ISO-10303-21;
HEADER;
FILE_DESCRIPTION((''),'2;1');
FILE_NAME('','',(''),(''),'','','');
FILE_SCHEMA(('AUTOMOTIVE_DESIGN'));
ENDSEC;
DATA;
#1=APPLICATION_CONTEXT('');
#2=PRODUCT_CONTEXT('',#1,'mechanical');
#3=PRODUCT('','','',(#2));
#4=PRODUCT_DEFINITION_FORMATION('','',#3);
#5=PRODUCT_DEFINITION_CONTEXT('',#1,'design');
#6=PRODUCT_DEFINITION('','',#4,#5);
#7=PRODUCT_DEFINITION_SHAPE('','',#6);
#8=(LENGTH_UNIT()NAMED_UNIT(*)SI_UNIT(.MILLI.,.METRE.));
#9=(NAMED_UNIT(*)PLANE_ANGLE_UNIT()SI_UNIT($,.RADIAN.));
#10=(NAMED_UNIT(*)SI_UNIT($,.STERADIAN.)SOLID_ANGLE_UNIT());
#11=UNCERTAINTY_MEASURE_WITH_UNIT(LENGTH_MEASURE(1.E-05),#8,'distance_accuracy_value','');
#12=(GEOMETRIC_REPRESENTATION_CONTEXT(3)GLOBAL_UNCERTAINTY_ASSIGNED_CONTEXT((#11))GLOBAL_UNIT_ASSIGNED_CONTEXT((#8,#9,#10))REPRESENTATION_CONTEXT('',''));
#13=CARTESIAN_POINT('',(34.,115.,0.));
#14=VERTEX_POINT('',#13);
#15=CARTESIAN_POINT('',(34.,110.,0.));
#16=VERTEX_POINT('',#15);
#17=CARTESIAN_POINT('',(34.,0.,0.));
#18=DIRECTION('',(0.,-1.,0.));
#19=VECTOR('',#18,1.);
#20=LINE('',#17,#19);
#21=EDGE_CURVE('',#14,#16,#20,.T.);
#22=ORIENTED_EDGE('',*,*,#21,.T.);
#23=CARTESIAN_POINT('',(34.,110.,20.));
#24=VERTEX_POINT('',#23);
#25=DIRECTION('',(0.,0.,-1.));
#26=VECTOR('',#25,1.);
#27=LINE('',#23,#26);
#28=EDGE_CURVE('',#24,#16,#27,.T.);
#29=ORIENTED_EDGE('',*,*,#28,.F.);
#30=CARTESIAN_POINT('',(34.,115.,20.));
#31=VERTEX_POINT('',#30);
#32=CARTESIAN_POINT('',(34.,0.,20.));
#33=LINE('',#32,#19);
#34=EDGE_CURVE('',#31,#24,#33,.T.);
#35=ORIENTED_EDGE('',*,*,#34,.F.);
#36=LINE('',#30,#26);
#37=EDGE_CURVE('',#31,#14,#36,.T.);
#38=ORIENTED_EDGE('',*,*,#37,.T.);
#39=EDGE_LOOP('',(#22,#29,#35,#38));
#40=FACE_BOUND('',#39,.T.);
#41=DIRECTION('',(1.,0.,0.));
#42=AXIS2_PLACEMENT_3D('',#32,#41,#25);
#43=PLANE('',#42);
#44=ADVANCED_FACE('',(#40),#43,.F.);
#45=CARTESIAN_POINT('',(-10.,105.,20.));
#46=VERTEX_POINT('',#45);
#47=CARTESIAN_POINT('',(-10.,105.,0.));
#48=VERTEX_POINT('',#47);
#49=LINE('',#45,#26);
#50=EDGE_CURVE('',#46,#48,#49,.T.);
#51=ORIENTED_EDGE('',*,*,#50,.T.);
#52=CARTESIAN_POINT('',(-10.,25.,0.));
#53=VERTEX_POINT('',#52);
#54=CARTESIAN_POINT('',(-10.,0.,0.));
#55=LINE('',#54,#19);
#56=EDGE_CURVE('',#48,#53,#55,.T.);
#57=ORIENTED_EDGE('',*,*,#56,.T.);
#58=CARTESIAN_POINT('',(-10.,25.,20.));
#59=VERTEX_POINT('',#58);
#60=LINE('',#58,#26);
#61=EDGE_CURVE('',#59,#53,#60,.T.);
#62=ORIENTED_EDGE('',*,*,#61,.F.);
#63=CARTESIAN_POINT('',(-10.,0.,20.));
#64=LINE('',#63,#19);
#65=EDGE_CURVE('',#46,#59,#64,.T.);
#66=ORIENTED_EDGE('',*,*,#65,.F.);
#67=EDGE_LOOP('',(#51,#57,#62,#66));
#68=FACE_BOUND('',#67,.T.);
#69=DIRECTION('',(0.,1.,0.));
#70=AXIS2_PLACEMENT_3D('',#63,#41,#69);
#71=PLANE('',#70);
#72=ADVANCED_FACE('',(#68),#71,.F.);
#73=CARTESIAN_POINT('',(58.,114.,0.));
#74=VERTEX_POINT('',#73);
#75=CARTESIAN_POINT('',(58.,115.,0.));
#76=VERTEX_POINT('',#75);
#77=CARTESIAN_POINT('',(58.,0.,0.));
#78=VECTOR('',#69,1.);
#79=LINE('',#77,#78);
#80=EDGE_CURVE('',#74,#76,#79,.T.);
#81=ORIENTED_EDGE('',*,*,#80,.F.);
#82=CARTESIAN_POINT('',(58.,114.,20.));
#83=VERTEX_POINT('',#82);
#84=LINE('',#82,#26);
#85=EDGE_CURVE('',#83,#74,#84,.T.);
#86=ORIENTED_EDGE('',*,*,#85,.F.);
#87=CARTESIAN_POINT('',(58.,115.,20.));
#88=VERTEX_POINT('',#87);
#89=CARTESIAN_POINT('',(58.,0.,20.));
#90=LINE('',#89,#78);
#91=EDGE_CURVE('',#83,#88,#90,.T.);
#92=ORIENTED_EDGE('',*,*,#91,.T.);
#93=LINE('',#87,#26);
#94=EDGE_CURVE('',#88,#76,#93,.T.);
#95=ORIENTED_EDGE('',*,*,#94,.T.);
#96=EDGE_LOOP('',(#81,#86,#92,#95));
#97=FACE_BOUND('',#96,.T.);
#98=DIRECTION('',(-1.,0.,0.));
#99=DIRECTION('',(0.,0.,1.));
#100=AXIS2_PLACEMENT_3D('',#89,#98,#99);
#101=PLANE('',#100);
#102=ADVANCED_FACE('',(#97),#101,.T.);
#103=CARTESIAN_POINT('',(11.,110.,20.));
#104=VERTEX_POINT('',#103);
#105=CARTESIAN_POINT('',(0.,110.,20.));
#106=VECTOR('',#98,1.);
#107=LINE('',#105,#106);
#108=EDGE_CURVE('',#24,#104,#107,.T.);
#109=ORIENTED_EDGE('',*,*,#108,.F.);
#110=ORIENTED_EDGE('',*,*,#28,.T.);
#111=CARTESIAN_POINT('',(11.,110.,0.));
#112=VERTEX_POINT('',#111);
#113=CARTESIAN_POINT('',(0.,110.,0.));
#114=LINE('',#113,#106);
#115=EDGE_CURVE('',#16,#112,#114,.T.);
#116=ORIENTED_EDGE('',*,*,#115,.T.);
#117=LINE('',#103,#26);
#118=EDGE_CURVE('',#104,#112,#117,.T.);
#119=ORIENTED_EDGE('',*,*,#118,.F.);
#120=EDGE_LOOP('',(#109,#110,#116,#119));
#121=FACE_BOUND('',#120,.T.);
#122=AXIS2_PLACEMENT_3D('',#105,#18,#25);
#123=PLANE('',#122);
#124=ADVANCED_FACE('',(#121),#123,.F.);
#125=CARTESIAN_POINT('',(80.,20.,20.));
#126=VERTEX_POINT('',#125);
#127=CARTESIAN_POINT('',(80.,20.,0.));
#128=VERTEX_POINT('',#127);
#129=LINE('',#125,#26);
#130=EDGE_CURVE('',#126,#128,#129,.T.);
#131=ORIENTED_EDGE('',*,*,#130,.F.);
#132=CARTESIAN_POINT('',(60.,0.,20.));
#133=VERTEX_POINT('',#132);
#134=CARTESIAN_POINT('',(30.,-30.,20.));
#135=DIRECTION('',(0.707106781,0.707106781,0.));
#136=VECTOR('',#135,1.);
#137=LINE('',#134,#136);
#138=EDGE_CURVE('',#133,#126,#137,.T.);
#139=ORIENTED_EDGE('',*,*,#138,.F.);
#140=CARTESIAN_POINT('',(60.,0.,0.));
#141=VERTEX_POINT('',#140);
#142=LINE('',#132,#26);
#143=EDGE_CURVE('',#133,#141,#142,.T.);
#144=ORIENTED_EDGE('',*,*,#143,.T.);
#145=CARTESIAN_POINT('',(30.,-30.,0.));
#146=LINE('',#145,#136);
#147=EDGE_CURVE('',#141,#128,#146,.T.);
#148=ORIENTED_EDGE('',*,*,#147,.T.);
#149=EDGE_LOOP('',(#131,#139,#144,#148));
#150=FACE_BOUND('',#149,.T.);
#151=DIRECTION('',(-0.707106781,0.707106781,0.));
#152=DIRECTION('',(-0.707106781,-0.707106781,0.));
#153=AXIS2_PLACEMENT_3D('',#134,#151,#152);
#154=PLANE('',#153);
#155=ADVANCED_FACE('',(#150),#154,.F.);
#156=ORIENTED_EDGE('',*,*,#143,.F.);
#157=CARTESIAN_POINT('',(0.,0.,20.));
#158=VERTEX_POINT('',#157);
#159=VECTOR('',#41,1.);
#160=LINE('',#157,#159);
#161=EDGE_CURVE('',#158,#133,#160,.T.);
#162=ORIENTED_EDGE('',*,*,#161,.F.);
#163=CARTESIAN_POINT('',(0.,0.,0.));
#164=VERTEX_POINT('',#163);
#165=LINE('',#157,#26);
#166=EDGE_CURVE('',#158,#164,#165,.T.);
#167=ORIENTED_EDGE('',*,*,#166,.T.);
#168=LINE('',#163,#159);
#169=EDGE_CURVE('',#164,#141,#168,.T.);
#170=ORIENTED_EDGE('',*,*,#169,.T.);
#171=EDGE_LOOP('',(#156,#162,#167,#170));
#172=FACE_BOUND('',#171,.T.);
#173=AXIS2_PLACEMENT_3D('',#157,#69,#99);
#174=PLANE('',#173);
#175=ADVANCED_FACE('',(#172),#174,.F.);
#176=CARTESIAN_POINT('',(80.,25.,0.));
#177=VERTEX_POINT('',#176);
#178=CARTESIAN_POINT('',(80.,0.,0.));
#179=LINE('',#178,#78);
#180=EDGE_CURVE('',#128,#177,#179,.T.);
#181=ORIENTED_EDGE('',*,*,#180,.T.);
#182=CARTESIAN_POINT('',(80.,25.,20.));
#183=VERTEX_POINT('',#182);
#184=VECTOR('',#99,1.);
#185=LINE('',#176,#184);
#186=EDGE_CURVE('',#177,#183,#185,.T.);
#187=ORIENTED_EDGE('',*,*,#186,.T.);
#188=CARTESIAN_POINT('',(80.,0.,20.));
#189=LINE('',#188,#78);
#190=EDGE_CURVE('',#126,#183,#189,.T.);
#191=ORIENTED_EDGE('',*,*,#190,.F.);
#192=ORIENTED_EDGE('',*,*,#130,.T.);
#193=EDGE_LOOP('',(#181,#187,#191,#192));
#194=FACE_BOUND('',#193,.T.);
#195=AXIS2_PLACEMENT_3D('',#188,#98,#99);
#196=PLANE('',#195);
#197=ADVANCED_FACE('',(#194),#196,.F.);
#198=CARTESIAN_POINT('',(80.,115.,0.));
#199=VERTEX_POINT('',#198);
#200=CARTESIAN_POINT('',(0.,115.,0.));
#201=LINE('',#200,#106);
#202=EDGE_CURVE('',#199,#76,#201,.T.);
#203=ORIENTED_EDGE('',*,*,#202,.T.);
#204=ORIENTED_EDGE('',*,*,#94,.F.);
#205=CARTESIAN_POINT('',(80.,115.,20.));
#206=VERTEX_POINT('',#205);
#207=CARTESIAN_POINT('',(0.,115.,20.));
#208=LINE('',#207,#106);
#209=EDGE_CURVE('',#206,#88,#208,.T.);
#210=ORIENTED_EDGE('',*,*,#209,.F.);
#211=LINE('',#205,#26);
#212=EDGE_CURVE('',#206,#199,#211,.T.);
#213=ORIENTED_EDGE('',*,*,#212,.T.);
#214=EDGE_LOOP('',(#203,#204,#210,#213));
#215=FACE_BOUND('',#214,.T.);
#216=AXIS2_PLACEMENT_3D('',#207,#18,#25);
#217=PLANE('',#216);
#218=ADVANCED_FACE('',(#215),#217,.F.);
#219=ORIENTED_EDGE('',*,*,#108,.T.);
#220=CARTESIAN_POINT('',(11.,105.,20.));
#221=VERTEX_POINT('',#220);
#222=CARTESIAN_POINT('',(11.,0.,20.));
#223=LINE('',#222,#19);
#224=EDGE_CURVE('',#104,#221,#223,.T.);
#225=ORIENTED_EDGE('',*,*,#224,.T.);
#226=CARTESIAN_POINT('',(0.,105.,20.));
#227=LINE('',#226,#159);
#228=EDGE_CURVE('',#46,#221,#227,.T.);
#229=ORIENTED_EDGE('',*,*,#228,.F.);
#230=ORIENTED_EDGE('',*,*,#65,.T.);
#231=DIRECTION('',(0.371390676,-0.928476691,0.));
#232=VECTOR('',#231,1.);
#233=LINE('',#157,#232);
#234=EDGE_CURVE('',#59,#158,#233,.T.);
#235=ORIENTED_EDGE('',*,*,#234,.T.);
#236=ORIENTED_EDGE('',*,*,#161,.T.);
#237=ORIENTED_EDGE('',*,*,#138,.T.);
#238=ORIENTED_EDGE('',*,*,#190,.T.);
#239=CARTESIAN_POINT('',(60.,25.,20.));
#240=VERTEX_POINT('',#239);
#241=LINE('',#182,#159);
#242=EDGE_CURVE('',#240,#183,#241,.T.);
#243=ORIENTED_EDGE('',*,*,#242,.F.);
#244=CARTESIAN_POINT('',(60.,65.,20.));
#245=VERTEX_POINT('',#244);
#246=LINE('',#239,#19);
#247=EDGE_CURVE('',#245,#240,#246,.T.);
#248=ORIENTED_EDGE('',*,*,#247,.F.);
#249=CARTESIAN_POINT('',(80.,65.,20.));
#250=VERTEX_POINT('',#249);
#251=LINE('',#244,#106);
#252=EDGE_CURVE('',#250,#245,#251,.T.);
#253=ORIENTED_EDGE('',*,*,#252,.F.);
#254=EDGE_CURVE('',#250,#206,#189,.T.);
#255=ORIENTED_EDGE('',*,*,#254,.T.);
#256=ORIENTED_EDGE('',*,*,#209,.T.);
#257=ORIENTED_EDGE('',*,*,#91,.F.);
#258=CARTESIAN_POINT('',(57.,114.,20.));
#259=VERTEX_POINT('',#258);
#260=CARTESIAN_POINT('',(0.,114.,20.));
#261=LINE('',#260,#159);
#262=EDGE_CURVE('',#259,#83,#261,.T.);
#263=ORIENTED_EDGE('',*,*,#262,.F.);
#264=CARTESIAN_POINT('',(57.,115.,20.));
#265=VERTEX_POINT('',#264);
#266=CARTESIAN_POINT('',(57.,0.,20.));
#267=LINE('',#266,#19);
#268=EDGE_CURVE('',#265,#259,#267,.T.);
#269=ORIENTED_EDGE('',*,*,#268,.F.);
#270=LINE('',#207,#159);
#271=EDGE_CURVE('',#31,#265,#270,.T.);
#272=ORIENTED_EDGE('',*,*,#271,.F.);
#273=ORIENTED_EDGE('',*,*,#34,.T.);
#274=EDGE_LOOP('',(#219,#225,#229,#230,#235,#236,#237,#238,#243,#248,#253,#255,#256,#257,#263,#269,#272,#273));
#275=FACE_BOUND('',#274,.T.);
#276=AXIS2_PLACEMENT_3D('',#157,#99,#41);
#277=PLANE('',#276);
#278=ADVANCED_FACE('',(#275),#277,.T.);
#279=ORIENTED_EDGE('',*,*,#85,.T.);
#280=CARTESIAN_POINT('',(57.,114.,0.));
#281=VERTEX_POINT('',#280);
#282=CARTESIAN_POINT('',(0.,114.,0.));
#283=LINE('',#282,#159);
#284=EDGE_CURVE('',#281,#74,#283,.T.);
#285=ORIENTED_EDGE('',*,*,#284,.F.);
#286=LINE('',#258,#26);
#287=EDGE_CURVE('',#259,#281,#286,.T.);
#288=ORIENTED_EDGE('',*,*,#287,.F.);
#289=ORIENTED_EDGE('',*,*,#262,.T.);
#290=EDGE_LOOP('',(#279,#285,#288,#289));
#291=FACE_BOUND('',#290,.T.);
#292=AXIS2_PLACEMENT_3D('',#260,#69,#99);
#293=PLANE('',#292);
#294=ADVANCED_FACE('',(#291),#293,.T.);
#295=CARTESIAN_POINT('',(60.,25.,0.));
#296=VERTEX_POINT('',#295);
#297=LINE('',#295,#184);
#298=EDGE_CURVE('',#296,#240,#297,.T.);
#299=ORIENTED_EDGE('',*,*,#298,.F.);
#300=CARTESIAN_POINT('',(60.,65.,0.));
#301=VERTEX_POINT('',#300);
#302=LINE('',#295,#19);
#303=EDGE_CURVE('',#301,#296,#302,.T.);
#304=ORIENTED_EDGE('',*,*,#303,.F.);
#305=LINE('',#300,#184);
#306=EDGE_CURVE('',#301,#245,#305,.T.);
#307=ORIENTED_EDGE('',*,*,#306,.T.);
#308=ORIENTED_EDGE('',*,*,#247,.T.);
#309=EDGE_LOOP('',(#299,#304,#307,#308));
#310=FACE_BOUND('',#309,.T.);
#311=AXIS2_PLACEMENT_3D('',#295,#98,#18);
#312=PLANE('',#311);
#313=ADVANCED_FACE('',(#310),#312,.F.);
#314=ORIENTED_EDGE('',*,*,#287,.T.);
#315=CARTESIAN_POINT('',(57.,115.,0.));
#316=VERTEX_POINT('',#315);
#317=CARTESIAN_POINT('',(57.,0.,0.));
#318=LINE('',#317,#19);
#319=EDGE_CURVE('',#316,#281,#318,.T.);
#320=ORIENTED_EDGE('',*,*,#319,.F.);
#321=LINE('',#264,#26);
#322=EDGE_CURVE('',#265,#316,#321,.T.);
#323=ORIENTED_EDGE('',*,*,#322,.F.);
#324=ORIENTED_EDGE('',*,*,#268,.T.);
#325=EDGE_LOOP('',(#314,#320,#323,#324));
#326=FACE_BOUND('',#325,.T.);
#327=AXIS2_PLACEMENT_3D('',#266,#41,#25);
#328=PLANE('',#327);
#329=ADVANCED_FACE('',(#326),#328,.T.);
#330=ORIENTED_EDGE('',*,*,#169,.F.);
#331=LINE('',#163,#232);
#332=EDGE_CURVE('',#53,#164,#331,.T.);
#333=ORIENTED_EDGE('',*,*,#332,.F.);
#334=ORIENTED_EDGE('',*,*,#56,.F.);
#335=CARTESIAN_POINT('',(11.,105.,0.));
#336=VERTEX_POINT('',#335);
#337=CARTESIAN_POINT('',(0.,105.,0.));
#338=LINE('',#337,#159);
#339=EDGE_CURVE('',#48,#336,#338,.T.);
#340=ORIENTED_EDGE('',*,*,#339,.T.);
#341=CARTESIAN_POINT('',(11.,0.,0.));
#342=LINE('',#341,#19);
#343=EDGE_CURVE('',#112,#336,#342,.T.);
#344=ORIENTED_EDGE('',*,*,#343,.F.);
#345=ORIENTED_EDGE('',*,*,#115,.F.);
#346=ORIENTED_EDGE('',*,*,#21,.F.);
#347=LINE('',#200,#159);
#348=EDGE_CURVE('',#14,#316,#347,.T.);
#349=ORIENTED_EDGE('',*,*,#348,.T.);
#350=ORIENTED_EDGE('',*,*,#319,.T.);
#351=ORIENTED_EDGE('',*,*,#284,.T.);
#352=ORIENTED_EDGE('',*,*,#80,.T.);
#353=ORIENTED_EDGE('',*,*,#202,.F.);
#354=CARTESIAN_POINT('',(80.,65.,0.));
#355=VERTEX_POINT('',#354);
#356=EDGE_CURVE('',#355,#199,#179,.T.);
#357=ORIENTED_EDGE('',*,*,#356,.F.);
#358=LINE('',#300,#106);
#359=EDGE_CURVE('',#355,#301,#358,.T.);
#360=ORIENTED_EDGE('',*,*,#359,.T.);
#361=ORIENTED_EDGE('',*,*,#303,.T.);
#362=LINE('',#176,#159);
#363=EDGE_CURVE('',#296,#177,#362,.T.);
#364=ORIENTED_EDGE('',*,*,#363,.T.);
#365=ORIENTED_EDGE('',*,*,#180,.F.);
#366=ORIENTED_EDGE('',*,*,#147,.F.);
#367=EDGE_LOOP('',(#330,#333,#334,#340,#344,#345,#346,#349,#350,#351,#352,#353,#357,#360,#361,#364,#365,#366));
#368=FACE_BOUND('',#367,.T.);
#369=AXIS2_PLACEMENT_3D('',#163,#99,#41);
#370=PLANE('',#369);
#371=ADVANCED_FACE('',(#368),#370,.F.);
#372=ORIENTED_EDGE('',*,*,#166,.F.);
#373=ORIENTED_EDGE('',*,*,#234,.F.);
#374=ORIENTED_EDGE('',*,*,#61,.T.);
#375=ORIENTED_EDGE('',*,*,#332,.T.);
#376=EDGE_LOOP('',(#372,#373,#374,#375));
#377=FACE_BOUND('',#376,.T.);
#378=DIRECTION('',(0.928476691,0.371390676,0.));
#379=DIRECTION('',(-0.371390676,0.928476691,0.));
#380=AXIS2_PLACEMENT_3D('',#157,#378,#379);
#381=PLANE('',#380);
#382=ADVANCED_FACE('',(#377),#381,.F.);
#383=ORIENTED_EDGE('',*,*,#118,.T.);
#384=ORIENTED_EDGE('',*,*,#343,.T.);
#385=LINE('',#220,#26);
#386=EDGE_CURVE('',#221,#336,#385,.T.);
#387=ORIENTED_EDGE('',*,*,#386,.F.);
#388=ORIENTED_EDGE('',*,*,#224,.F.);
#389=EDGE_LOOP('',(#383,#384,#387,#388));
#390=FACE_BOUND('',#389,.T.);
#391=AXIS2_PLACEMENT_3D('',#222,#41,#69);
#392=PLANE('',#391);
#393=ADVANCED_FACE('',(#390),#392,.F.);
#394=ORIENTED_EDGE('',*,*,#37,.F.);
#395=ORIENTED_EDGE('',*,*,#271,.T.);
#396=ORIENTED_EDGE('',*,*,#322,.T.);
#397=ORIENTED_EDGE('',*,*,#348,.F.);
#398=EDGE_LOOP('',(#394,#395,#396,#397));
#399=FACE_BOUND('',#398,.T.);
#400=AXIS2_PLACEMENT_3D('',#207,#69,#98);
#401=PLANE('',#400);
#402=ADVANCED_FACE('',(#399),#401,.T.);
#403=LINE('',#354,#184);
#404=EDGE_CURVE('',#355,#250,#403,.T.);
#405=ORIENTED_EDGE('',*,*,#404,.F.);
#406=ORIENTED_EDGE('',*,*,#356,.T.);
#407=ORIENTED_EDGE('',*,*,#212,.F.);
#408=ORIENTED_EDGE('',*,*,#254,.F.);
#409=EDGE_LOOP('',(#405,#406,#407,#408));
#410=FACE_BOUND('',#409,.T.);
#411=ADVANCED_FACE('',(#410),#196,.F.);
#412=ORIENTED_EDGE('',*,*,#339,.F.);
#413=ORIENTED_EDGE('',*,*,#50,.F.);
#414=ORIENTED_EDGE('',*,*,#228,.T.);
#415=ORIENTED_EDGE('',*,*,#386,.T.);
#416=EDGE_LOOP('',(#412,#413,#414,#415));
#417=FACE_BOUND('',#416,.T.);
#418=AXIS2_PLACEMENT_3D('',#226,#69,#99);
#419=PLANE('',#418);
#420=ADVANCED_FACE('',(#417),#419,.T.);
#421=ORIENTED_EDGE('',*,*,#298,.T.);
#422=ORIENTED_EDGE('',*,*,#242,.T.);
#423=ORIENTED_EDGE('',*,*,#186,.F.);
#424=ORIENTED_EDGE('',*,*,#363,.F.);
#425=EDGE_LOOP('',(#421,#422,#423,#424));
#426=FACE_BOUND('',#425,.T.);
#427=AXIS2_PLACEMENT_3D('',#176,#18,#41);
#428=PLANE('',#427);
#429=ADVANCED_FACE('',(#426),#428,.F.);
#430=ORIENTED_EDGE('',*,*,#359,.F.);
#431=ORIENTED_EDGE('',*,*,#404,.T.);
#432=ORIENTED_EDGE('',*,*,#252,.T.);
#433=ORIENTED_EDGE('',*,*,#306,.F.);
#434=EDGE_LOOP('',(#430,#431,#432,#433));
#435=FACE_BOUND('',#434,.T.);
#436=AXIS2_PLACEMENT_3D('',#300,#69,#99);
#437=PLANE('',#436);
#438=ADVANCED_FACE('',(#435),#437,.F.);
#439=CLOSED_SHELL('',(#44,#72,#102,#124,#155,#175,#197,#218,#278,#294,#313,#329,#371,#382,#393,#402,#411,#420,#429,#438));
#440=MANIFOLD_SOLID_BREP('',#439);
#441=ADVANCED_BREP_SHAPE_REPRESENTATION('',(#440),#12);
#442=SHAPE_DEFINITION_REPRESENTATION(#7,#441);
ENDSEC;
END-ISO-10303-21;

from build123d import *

# Parameters (mm, degrees)
BOSS_EXTRUDE1_DEPTH = 20
SKETCH2_W           = 20
SKETCH2_H           = 40
CUT_EXTRUDE1_DEPTH  = 142.509716981


with BuildPart() as part:
    # Sketch1 → Boss-Extrude1 (new body)
    with BuildSketch(Plane.XY):
        Polygon((58, 114), (58, 115), (80, 115), (80, 20), (60, 0), (0, 0), (-10, 25), (-10, 105), (11, 105), (11, 110), (12, 110), (34, 110), (34, 115), (35, 115), (57, 115), (57, 114), align=None)
    extrude(amount=BOSS_EXTRUDE1_DEPTH)

    # Sketch2 → Cut-Extrude1 (cut, through all)
    with BuildSketch(Plane.XY.offset(20)):
        with Locations((70, 45)):
            Rectangle(SKETCH2_W, SKETCH2_H)
    extrude(amount=-CUT_EXTRUDE1_DEPTH, mode=Mode.SUBTRACT)


solid = part.part
